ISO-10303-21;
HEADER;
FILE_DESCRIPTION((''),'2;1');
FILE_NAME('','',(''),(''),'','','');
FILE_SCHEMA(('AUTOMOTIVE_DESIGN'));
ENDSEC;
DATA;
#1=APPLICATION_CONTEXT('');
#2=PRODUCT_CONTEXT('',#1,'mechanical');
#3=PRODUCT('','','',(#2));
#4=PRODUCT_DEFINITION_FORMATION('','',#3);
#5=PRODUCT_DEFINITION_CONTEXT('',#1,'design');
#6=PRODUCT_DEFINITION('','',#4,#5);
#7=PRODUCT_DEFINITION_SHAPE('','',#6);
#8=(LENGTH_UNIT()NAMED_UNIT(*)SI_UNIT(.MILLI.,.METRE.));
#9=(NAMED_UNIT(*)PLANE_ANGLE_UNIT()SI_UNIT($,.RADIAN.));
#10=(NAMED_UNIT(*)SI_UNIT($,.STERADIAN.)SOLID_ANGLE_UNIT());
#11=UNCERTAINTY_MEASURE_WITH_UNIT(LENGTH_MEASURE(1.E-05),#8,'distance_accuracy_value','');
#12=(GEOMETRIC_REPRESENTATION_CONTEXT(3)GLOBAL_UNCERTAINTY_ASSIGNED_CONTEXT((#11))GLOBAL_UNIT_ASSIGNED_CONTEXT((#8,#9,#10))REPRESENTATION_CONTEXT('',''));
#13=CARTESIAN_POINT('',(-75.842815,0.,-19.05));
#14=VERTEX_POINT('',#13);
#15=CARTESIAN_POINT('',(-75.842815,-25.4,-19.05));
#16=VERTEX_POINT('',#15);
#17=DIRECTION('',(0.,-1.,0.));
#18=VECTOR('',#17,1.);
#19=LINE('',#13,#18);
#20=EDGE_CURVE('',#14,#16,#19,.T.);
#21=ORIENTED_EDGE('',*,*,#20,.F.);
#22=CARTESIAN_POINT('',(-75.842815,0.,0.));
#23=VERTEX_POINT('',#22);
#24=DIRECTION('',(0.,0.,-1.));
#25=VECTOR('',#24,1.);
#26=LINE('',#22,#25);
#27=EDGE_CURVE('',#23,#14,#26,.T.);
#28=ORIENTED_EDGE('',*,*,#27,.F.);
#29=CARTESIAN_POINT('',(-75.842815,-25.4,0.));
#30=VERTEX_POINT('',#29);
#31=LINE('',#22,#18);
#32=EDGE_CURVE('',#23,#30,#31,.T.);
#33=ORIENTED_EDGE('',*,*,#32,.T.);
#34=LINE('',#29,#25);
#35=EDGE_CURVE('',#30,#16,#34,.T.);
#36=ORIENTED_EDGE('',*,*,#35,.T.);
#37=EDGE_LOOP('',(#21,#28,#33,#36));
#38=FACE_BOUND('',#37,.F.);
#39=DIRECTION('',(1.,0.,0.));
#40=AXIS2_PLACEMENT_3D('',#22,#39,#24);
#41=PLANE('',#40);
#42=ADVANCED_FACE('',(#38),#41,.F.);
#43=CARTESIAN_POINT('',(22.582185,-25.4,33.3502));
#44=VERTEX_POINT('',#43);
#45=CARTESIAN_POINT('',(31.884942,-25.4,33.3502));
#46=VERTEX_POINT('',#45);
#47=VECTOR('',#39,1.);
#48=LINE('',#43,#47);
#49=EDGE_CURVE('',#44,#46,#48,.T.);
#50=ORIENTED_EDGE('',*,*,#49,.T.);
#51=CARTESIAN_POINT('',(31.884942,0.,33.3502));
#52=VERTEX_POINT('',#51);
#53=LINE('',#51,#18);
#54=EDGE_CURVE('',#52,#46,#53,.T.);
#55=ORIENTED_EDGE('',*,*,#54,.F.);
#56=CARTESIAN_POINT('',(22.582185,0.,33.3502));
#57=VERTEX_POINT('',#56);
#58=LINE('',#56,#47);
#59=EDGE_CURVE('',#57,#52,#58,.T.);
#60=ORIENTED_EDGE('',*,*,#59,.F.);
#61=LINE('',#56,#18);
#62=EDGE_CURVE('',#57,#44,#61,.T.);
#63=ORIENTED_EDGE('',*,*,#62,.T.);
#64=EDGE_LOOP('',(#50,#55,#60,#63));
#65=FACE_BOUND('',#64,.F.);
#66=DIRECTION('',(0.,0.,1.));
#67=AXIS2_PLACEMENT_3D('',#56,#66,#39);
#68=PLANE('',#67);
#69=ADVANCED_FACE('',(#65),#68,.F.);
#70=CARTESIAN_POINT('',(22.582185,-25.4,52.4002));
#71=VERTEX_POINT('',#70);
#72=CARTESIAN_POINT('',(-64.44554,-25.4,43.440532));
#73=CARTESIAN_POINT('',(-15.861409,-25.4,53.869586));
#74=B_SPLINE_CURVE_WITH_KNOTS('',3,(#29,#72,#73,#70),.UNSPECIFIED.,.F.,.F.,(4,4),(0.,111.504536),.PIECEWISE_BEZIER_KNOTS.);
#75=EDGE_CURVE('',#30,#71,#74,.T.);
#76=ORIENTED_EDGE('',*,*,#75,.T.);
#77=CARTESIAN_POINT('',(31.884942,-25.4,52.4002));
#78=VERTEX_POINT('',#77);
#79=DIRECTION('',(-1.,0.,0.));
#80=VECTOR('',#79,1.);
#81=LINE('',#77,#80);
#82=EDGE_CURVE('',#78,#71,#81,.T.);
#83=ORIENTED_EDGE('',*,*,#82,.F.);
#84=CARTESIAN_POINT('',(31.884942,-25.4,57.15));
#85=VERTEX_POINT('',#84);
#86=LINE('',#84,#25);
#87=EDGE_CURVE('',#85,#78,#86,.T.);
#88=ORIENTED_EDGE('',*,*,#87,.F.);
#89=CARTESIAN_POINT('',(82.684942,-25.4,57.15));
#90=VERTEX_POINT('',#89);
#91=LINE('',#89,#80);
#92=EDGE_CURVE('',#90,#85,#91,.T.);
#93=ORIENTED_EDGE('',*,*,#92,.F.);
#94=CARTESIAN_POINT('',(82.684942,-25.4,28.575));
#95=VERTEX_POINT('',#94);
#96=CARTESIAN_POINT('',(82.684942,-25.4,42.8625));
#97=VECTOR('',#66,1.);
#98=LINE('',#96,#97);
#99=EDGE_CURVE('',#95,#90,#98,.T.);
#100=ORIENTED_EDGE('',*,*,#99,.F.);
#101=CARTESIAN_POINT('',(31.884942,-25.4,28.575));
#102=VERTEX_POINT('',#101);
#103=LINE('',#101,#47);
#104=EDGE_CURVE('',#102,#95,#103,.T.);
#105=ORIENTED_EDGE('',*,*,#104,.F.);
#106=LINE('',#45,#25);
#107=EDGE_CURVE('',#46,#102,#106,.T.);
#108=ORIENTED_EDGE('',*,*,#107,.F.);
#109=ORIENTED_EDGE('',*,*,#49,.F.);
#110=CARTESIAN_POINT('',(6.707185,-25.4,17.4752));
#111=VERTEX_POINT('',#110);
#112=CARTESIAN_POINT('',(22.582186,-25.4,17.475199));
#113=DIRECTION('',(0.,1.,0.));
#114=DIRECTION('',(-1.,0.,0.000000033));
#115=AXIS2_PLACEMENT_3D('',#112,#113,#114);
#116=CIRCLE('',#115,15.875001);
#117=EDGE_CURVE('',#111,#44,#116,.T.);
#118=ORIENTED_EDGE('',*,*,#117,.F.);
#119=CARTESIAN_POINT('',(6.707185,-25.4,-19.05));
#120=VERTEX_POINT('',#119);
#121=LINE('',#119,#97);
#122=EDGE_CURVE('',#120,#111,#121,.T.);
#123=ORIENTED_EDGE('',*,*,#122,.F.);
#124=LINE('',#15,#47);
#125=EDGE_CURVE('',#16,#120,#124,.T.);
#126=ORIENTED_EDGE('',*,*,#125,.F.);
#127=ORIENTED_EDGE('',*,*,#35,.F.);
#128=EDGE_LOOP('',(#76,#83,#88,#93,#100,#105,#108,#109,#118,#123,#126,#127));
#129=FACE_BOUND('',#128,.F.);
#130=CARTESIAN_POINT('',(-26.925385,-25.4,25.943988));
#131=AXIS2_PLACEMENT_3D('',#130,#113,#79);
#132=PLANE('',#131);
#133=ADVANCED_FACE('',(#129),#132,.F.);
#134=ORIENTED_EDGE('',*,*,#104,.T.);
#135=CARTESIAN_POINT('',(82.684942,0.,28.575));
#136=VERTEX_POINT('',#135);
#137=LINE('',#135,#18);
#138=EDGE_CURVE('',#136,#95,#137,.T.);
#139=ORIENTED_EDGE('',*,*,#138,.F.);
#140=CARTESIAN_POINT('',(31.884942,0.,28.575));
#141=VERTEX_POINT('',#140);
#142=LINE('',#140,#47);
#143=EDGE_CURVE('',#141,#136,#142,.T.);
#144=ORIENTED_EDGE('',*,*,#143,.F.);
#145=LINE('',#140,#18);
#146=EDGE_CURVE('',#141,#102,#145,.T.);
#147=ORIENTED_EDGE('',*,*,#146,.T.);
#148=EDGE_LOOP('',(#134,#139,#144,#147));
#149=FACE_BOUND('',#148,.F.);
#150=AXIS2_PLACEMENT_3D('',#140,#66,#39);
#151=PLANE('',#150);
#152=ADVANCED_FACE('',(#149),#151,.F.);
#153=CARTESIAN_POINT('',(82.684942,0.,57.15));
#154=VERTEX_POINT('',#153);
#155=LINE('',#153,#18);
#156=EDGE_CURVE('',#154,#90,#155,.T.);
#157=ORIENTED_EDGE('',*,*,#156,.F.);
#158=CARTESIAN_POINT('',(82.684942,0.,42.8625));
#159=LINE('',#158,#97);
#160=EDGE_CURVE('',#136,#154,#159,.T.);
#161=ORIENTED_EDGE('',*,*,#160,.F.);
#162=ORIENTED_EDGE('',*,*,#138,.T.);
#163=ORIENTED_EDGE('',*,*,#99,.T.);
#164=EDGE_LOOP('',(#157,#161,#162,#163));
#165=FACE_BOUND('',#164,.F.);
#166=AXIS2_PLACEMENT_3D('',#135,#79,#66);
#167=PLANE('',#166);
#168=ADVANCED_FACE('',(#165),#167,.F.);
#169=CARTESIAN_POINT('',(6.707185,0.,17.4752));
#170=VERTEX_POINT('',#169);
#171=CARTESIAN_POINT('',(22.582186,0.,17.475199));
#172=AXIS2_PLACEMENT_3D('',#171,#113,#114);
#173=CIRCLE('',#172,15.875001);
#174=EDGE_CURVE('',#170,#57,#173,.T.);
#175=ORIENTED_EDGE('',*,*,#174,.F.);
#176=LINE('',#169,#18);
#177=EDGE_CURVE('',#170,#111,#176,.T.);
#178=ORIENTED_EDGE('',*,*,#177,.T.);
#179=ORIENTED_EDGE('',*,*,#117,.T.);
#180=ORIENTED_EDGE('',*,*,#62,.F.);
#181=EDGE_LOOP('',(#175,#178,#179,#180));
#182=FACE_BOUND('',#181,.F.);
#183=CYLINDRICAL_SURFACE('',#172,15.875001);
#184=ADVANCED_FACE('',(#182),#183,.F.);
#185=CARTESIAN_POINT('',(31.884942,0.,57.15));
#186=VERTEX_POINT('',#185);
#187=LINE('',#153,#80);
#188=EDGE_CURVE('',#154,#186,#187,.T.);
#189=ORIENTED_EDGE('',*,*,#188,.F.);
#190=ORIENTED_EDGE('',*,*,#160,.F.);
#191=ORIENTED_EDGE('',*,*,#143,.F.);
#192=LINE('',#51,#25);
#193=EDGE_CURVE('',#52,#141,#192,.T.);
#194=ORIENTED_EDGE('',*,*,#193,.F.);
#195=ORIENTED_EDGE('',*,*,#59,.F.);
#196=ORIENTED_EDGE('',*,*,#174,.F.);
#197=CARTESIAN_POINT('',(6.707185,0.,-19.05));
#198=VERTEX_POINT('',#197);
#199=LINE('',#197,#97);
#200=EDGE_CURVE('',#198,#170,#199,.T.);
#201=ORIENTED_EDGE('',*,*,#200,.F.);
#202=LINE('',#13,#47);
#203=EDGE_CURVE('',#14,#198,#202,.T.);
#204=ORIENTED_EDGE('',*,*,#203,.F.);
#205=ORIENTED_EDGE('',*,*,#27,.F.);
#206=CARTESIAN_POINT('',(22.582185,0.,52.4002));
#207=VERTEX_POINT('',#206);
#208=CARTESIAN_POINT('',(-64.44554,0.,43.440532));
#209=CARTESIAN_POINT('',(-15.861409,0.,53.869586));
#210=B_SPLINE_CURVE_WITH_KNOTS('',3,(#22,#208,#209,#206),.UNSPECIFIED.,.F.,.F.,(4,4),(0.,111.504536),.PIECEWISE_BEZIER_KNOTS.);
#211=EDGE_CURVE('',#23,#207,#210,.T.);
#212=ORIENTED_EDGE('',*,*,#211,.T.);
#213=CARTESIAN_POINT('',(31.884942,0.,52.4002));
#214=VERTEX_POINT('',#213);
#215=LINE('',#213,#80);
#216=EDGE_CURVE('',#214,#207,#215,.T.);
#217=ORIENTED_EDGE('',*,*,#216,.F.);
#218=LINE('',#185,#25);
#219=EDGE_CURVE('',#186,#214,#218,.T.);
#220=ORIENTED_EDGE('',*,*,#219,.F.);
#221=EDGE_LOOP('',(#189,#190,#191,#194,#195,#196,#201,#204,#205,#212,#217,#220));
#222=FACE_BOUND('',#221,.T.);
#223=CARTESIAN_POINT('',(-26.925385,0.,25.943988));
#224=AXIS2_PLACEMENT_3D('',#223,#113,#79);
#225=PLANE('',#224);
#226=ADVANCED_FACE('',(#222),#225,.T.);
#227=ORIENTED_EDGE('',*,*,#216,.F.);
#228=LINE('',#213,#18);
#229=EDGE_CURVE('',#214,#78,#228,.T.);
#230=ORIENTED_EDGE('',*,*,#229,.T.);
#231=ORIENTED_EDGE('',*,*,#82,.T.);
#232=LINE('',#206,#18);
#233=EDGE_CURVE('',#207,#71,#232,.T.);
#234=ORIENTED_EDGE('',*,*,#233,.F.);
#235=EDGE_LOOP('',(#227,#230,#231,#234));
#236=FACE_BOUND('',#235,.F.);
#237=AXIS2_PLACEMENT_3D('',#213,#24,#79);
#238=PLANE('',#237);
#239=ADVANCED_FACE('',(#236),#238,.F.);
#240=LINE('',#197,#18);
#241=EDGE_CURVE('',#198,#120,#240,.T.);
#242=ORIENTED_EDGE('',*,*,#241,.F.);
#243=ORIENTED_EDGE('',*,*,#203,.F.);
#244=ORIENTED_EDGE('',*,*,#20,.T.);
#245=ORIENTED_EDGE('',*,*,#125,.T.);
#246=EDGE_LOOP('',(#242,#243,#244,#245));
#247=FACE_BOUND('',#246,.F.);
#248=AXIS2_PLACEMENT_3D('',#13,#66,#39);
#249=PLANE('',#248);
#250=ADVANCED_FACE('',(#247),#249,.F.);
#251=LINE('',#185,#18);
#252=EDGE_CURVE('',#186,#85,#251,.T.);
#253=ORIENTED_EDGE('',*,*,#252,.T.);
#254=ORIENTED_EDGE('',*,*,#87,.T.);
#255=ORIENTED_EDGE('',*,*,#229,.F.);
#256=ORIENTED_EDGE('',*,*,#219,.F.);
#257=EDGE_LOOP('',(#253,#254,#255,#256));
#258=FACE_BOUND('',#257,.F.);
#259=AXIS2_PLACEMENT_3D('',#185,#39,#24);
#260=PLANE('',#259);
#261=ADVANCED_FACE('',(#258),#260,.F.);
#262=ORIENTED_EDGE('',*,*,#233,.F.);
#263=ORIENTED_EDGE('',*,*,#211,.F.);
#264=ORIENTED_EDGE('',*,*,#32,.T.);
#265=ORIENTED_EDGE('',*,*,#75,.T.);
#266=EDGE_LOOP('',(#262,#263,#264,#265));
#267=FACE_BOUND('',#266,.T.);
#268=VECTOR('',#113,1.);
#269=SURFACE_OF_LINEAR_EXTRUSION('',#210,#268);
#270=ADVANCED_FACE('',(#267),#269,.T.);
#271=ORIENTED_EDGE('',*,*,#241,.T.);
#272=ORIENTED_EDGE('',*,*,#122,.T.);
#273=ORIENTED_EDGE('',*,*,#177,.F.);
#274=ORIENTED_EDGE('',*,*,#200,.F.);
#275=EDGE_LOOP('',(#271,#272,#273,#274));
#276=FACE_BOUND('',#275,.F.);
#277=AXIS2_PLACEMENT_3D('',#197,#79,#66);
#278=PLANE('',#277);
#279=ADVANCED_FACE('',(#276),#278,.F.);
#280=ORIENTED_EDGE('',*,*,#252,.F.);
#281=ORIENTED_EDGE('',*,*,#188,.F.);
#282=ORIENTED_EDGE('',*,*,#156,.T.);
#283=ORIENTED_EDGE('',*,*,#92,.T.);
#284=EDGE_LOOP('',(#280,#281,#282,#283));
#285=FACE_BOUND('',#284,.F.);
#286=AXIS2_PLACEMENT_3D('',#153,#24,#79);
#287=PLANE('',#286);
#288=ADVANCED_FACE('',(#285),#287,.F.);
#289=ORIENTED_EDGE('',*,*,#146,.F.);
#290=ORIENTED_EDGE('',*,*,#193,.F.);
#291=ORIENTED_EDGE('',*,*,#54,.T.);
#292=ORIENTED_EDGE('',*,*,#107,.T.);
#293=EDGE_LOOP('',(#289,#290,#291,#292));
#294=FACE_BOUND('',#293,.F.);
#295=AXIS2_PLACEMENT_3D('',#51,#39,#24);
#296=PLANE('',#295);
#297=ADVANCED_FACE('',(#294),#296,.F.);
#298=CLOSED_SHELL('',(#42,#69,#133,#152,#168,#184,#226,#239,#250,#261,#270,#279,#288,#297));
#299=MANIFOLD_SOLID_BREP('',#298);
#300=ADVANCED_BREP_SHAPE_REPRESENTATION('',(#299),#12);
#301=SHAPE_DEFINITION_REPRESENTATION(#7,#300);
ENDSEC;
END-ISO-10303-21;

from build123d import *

# Parameters (mm, degrees)
F0_W     = 25.4
F0_H     = 28.575
F1_DEPTH = 25.4


with BuildPart() as f1:
    # F0 (on Front) → F1 (new body)
    with BuildSketch(Plane.XZ):
        with BuildLine():
            add(Edge.make_bspline(
                [(-75.842815, 0), (-64.44554, 43.440532), (-15.861409, 53.869586), (22.582185, 52.4002)],
                knots=[0, 0, 0, 0, 111.504536, 111.504536, 111.504536, 111.504536], degree=3))
            Line((-75.842815, 0), (-12.342815, 0))
            Line((-12.342815, 0), (-12.342815, 17.4752))
            ThreePointArc((-12.342815, 17.4752), (-2.113519, 42.170904), (22.582185, 52.4002))
        make_face()
        Polygon((-12.342815, 0), (-75.842815, 0), (-75.842815, -19.05), (6.707185, -19.05), (6.707185, 0), align=None)
        with BuildLine():
            Line((-12.342815, 17.4752), (-12.342815, 0))
            Line((-12.342815, 0), (6.707185, 0))
            Line((6.707185, 0), (6.707185, 17.4752))
            ThreePointArc((6.707185, 17.4752), (11.356865, 28.70052), (22.582185, 33.3502))
            Line((22.582185, 33.3502), (31.884942, 33.3502))
            Line((31.884942, 33.3502), (31.884942, 52.4002))
            Line((31.884942, 52.4002), (22.582185, 52.4002))
            ThreePointArc((22.582185, 52.4002), (-2.113519, 42.170904), (-12.342815, 17.4752))
        make_face()
        Polygon((31.884942, 57.15), (31.884942, 52.4002), (31.884942, 33.3502), (31.884942, 28.575), (57.284942, 28.575), (57.284942, 57.15), align=None)
        with Locations((69.984942, 42.8625)):
            Rectangle(F0_W, F0_H)
    extrude(amount=F1_DEPTH)


solid = f1.part
